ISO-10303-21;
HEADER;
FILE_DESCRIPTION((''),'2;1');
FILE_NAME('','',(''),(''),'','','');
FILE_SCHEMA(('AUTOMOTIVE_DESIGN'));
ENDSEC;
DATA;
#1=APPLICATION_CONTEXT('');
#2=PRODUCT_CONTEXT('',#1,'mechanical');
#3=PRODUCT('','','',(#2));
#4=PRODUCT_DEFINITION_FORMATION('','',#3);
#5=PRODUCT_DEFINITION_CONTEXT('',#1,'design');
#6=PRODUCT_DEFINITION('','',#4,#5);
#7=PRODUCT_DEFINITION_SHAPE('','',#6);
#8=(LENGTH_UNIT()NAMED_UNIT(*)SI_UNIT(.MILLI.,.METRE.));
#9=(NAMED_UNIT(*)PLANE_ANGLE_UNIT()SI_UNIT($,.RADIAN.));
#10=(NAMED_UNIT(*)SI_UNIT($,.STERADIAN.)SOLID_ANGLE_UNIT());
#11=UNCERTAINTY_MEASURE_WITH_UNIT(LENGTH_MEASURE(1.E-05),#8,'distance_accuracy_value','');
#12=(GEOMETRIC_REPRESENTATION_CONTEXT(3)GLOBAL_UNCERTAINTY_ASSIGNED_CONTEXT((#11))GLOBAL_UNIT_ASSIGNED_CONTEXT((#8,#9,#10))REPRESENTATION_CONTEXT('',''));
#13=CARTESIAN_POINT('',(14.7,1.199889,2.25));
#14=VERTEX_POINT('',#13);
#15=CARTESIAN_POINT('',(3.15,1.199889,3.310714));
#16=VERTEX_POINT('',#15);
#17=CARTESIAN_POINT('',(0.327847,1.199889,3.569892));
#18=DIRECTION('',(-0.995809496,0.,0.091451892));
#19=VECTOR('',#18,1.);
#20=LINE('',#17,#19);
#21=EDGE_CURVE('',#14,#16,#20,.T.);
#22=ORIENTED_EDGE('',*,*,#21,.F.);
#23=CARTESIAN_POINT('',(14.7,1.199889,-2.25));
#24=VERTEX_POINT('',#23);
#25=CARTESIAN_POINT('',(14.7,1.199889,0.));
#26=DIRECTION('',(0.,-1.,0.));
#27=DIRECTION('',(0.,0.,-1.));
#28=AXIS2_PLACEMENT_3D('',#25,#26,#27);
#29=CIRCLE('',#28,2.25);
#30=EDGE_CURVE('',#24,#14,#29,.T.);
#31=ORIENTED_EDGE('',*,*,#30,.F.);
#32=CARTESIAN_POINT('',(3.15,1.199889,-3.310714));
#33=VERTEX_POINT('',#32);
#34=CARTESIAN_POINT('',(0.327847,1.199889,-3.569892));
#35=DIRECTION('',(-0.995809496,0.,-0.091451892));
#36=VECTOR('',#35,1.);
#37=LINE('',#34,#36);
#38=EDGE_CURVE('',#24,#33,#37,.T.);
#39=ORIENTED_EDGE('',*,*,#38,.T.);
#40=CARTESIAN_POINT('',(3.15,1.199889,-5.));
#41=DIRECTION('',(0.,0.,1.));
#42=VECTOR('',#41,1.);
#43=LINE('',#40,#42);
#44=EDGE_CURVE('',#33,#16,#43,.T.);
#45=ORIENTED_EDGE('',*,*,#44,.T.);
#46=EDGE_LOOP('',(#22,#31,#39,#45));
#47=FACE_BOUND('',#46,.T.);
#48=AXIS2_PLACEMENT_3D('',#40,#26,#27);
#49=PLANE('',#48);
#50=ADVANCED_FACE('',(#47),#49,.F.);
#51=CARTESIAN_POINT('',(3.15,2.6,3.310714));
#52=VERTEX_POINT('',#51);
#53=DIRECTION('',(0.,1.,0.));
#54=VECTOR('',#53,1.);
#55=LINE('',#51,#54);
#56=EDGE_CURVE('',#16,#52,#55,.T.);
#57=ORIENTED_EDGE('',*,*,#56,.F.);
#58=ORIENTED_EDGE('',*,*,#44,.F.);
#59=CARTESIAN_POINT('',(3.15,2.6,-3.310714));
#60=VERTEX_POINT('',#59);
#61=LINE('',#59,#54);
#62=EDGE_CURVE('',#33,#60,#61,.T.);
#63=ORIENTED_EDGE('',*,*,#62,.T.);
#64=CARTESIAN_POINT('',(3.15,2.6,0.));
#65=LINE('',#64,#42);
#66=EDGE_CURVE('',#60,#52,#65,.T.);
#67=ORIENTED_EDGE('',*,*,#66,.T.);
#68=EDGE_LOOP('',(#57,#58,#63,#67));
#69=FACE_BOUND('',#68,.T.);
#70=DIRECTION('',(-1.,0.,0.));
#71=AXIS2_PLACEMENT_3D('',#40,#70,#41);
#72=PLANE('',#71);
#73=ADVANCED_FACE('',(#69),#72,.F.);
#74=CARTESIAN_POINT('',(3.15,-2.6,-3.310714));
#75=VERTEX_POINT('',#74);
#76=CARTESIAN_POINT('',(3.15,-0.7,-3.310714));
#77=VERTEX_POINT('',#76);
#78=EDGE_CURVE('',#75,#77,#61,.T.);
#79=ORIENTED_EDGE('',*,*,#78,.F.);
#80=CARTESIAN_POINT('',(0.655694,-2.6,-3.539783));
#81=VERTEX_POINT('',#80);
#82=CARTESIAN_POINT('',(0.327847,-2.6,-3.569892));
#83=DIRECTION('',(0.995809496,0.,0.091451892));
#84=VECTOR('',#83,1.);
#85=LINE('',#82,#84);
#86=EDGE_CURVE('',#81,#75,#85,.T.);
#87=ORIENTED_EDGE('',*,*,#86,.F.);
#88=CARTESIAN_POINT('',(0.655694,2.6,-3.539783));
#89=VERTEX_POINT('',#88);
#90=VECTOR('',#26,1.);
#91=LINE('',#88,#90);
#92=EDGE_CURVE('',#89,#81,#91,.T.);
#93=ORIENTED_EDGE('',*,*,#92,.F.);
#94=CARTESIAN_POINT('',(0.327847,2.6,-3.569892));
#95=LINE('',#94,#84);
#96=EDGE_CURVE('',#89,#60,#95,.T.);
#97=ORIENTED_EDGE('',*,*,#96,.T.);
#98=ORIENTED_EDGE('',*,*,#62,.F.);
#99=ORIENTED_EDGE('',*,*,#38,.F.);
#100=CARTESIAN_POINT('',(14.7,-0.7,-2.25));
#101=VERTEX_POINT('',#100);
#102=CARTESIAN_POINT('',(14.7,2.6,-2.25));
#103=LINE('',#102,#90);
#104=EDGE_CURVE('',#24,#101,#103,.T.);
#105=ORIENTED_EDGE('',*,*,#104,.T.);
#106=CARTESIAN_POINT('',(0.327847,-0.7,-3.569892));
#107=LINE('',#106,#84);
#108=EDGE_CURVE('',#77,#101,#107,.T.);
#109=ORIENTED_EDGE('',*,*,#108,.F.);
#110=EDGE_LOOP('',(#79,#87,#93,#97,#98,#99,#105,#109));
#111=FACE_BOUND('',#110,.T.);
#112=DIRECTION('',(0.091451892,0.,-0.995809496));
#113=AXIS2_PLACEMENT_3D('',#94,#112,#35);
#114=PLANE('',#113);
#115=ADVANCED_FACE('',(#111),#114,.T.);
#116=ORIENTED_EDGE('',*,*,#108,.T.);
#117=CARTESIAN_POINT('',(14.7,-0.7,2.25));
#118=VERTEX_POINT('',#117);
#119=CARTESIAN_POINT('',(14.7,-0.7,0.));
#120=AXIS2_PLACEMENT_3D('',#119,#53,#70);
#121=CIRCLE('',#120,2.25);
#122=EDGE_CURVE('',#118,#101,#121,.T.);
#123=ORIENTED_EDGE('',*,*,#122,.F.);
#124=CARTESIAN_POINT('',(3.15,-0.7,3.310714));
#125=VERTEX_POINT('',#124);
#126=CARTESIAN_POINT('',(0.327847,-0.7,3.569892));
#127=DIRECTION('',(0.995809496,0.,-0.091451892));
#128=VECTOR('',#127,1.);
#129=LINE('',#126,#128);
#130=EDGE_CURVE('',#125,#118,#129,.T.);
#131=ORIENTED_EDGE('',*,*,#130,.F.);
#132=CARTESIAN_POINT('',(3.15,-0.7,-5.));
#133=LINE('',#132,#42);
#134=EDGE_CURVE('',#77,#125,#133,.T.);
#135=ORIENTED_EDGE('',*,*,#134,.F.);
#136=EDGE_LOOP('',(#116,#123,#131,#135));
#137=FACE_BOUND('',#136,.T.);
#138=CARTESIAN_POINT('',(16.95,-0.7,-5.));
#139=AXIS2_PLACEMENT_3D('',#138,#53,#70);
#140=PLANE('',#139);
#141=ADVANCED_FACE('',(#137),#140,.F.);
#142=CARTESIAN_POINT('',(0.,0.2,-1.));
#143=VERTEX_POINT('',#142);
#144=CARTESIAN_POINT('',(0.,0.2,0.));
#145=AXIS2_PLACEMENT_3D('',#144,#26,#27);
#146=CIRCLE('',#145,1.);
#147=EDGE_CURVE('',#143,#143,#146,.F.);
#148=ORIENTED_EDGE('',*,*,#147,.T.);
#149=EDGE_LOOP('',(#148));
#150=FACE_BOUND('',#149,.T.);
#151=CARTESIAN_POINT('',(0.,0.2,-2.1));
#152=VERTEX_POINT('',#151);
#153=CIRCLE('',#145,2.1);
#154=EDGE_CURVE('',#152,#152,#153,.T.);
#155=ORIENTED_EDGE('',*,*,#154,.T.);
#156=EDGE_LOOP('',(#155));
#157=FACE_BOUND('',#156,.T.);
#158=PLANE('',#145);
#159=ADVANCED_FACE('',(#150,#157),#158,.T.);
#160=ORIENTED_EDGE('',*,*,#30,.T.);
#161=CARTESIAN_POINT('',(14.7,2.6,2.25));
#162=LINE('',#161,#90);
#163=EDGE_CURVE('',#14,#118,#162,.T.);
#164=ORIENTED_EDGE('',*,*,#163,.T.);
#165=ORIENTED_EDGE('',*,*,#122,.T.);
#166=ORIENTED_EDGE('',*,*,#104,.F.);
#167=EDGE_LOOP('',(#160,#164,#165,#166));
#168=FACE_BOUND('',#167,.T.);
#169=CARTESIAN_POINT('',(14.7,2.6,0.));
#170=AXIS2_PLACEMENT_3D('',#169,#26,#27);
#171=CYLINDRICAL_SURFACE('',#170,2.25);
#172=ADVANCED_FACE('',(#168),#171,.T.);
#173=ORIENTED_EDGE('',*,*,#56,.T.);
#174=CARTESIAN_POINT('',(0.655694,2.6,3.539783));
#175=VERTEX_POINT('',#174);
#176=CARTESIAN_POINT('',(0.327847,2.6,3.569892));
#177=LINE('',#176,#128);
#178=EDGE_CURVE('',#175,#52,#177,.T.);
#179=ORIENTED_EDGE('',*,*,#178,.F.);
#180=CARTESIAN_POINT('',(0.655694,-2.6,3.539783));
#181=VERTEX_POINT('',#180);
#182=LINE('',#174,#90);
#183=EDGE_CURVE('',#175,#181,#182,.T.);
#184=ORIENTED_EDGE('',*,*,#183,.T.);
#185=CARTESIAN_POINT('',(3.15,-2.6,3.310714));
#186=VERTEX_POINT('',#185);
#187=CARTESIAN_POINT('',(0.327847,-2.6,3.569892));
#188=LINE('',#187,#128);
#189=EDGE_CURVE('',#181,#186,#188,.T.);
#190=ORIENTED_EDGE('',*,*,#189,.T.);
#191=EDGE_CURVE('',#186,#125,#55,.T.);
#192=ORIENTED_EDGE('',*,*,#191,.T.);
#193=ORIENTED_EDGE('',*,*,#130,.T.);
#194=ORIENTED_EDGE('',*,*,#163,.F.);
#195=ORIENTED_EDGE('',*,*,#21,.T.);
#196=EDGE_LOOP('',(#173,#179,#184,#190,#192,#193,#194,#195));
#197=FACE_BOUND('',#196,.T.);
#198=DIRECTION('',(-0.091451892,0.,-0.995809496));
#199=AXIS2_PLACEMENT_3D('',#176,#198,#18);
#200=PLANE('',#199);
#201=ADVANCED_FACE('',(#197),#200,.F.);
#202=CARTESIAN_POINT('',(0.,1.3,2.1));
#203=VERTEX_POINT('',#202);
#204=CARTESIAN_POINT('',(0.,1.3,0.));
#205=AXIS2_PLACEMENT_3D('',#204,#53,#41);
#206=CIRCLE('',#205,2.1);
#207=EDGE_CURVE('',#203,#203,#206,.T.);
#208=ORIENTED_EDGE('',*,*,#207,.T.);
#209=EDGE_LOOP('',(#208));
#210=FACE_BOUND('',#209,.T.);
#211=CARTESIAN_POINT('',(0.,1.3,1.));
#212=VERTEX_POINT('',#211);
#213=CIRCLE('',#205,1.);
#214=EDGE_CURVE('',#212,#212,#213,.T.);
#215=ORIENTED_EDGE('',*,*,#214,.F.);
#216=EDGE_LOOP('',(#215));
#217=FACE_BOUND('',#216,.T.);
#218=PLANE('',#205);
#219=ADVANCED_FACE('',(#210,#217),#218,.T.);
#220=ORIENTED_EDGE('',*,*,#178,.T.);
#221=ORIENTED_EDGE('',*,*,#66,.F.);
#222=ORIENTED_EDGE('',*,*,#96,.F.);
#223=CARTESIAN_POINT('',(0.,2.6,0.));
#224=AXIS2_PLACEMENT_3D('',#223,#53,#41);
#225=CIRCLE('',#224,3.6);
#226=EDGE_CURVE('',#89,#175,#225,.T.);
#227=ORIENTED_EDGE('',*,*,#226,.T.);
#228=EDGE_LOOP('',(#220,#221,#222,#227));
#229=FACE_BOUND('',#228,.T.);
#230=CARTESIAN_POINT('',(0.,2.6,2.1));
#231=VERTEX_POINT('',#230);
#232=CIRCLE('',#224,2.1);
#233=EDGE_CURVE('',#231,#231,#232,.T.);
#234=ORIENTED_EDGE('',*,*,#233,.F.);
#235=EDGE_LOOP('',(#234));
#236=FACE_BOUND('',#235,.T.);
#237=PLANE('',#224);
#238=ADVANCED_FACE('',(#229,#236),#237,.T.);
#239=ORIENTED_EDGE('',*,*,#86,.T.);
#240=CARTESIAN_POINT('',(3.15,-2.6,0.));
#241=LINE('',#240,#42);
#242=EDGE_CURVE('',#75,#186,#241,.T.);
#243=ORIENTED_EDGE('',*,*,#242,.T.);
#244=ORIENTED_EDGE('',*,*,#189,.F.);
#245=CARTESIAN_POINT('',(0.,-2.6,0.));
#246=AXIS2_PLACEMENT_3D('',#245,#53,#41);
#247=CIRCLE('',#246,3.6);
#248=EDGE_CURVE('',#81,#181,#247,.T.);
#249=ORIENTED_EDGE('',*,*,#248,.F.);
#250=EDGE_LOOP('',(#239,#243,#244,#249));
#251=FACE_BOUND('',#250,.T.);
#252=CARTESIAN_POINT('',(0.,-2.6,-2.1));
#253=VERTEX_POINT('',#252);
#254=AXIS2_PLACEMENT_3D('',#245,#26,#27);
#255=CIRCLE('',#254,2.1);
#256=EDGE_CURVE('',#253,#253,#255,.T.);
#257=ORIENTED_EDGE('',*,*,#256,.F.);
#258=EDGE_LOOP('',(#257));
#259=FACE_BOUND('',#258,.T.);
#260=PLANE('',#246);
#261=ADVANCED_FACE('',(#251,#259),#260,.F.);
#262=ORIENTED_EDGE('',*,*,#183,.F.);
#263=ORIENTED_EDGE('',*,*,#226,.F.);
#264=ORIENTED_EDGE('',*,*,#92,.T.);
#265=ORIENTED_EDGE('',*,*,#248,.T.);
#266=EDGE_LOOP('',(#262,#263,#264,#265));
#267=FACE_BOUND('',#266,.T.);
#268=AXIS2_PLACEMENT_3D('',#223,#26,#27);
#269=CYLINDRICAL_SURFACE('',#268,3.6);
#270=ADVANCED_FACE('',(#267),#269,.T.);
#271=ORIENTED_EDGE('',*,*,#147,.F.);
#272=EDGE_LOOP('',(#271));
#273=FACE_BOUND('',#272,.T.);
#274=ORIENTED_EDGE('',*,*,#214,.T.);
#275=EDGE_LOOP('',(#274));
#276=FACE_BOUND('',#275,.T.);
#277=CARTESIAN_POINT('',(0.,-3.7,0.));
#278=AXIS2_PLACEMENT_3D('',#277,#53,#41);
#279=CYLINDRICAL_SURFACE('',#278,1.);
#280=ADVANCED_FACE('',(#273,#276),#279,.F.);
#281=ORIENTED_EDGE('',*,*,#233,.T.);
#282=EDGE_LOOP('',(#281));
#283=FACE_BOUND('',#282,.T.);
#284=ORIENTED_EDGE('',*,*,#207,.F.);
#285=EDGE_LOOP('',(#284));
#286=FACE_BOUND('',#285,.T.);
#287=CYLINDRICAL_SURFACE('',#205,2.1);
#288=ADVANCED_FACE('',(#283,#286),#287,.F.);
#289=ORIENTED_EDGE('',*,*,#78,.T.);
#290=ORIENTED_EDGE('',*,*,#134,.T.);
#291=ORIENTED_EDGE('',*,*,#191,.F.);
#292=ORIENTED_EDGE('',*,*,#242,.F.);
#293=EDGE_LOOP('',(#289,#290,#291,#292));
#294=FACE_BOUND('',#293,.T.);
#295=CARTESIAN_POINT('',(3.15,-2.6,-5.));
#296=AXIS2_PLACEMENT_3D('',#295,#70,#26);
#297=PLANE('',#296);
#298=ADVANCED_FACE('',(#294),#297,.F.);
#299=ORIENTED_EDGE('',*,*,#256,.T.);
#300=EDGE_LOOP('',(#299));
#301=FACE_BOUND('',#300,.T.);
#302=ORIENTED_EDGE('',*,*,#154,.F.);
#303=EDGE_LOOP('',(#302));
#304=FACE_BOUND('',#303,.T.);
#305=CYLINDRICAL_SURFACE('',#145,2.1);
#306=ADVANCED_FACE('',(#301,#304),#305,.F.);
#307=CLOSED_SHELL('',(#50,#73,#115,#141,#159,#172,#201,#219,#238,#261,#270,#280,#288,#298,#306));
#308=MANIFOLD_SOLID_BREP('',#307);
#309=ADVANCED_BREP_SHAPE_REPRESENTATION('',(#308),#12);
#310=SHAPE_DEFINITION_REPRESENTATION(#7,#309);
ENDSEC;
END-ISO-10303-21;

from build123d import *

# Parameters (mm, degrees)
SALIENTE_EXTRUIR2_DEPTH = 2.6
CROQUIS3_R              = 2.1
CORTAR_EXTRUIR1_DEPTH   = 1.3
CROQUIS5_R              = 1
CORTAR_EXTRUIR2_DEPTH   = 5
CORTAR_EXTRUIR3_START   = -2.8
CROQUIS6_R              = 2.1
CORTAR_EXTRUIR3_DEPTH   = 2.8
CROQUIS7_W              = 13.8
CROQUIS7_H              = 1.9
CORTAR_EXTRUIR4_DEPTH   = 5
CROQUIS10_W             = 13.8
CROQUIS10_H             = 2.15
CORTAR_EXTRUIR6_DEPTH   = 5


with BuildPart() as part:
    # Croquis1 → Saliente-Extruir2 (new, symmetric)
    with BuildSketch(Plane(origin=(0, 0, 0), x_dir=(1, 0, 0), z_dir=(0, 1, 0))):
        with BuildLine():
            Line((14.7, 2.25), (0.655694373, 3.53978317))
            ThreePointArc((0.655694373, 3.53978317), (-3.6, 0), (0.655694373, -3.53978317))
            Line((0.655694373, -3.53978317), (14.7, -2.25))
            ThreePointArc((14.7, -2.25), (16.95, 0), (14.7, 2.25))
        make_face()
    extrude(amount=SALIENTE_EXTRUIR2_DEPTH, both=True)

    # Croquis3 → Cortar-Extruir1 (cut)
    with BuildSketch(Plane(origin=(0, 2.6, 0), x_dir=(1, 0, 0), z_dir=(0, 1, 0))):
        with Locations(Location((0, 0, 0), (0, 0, 270))):
            Circle(CROQUIS3_R)
    extrude(amount=-CORTAR_EXTRUIR1_DEPTH, mode=Mode.SUBTRACT)

    # Croquis5 → Cortar-Extruir2 (cut)
    with BuildSketch(Plane(origin=(0, 1.3, 0), x_dir=(1, 0, 0), z_dir=(0, 1, 0))):
        with Locations(Location((0, 0, 0), (0, 0, 270))):
            Circle(CROQUIS5_R)
    extrude(amount=-CORTAR_EXTRUIR2_DEPTH, mode=Mode.SUBTRACT)

    # Croquis6 → Cortar-Extruir3 (cut)
    with BuildSketch(Plane.XZ.offset(2.6).offset(CORTAR_EXTRUIR3_START)):
        with Locations(Location((0, 0, 0), (0, 0, 90))):
            Circle(CROQUIS6_R)
    extrude(amount=CORTAR_EXTRUIR3_DEPTH, mode=Mode.SUBTRACT)

    # Croquis7 → Cortar-Extruir4 (cut, symmetric)
    with BuildSketch(Plane.XY):
        with Locations((10.05, -1.65)):
            Rectangle(CROQUIS7_W, CROQUIS7_H)
    extrude(amount=CORTAR_EXTRUIR4_DEPTH, both=True, mode=Mode.SUBTRACT)

    # Croquis10 → Cortar-Extruir6 (cut, symmetric)
    with BuildSketch(Plane.XY):
        with Locations((10.05, 2.274888949)):
            Rectangle(CROQUIS10_W, CROQUIS10_H)
    extrude(amount=CORTAR_EXTRUIR6_DEPTH, both=True, mode=Mode.SUBTRACT)


solid = part.part
